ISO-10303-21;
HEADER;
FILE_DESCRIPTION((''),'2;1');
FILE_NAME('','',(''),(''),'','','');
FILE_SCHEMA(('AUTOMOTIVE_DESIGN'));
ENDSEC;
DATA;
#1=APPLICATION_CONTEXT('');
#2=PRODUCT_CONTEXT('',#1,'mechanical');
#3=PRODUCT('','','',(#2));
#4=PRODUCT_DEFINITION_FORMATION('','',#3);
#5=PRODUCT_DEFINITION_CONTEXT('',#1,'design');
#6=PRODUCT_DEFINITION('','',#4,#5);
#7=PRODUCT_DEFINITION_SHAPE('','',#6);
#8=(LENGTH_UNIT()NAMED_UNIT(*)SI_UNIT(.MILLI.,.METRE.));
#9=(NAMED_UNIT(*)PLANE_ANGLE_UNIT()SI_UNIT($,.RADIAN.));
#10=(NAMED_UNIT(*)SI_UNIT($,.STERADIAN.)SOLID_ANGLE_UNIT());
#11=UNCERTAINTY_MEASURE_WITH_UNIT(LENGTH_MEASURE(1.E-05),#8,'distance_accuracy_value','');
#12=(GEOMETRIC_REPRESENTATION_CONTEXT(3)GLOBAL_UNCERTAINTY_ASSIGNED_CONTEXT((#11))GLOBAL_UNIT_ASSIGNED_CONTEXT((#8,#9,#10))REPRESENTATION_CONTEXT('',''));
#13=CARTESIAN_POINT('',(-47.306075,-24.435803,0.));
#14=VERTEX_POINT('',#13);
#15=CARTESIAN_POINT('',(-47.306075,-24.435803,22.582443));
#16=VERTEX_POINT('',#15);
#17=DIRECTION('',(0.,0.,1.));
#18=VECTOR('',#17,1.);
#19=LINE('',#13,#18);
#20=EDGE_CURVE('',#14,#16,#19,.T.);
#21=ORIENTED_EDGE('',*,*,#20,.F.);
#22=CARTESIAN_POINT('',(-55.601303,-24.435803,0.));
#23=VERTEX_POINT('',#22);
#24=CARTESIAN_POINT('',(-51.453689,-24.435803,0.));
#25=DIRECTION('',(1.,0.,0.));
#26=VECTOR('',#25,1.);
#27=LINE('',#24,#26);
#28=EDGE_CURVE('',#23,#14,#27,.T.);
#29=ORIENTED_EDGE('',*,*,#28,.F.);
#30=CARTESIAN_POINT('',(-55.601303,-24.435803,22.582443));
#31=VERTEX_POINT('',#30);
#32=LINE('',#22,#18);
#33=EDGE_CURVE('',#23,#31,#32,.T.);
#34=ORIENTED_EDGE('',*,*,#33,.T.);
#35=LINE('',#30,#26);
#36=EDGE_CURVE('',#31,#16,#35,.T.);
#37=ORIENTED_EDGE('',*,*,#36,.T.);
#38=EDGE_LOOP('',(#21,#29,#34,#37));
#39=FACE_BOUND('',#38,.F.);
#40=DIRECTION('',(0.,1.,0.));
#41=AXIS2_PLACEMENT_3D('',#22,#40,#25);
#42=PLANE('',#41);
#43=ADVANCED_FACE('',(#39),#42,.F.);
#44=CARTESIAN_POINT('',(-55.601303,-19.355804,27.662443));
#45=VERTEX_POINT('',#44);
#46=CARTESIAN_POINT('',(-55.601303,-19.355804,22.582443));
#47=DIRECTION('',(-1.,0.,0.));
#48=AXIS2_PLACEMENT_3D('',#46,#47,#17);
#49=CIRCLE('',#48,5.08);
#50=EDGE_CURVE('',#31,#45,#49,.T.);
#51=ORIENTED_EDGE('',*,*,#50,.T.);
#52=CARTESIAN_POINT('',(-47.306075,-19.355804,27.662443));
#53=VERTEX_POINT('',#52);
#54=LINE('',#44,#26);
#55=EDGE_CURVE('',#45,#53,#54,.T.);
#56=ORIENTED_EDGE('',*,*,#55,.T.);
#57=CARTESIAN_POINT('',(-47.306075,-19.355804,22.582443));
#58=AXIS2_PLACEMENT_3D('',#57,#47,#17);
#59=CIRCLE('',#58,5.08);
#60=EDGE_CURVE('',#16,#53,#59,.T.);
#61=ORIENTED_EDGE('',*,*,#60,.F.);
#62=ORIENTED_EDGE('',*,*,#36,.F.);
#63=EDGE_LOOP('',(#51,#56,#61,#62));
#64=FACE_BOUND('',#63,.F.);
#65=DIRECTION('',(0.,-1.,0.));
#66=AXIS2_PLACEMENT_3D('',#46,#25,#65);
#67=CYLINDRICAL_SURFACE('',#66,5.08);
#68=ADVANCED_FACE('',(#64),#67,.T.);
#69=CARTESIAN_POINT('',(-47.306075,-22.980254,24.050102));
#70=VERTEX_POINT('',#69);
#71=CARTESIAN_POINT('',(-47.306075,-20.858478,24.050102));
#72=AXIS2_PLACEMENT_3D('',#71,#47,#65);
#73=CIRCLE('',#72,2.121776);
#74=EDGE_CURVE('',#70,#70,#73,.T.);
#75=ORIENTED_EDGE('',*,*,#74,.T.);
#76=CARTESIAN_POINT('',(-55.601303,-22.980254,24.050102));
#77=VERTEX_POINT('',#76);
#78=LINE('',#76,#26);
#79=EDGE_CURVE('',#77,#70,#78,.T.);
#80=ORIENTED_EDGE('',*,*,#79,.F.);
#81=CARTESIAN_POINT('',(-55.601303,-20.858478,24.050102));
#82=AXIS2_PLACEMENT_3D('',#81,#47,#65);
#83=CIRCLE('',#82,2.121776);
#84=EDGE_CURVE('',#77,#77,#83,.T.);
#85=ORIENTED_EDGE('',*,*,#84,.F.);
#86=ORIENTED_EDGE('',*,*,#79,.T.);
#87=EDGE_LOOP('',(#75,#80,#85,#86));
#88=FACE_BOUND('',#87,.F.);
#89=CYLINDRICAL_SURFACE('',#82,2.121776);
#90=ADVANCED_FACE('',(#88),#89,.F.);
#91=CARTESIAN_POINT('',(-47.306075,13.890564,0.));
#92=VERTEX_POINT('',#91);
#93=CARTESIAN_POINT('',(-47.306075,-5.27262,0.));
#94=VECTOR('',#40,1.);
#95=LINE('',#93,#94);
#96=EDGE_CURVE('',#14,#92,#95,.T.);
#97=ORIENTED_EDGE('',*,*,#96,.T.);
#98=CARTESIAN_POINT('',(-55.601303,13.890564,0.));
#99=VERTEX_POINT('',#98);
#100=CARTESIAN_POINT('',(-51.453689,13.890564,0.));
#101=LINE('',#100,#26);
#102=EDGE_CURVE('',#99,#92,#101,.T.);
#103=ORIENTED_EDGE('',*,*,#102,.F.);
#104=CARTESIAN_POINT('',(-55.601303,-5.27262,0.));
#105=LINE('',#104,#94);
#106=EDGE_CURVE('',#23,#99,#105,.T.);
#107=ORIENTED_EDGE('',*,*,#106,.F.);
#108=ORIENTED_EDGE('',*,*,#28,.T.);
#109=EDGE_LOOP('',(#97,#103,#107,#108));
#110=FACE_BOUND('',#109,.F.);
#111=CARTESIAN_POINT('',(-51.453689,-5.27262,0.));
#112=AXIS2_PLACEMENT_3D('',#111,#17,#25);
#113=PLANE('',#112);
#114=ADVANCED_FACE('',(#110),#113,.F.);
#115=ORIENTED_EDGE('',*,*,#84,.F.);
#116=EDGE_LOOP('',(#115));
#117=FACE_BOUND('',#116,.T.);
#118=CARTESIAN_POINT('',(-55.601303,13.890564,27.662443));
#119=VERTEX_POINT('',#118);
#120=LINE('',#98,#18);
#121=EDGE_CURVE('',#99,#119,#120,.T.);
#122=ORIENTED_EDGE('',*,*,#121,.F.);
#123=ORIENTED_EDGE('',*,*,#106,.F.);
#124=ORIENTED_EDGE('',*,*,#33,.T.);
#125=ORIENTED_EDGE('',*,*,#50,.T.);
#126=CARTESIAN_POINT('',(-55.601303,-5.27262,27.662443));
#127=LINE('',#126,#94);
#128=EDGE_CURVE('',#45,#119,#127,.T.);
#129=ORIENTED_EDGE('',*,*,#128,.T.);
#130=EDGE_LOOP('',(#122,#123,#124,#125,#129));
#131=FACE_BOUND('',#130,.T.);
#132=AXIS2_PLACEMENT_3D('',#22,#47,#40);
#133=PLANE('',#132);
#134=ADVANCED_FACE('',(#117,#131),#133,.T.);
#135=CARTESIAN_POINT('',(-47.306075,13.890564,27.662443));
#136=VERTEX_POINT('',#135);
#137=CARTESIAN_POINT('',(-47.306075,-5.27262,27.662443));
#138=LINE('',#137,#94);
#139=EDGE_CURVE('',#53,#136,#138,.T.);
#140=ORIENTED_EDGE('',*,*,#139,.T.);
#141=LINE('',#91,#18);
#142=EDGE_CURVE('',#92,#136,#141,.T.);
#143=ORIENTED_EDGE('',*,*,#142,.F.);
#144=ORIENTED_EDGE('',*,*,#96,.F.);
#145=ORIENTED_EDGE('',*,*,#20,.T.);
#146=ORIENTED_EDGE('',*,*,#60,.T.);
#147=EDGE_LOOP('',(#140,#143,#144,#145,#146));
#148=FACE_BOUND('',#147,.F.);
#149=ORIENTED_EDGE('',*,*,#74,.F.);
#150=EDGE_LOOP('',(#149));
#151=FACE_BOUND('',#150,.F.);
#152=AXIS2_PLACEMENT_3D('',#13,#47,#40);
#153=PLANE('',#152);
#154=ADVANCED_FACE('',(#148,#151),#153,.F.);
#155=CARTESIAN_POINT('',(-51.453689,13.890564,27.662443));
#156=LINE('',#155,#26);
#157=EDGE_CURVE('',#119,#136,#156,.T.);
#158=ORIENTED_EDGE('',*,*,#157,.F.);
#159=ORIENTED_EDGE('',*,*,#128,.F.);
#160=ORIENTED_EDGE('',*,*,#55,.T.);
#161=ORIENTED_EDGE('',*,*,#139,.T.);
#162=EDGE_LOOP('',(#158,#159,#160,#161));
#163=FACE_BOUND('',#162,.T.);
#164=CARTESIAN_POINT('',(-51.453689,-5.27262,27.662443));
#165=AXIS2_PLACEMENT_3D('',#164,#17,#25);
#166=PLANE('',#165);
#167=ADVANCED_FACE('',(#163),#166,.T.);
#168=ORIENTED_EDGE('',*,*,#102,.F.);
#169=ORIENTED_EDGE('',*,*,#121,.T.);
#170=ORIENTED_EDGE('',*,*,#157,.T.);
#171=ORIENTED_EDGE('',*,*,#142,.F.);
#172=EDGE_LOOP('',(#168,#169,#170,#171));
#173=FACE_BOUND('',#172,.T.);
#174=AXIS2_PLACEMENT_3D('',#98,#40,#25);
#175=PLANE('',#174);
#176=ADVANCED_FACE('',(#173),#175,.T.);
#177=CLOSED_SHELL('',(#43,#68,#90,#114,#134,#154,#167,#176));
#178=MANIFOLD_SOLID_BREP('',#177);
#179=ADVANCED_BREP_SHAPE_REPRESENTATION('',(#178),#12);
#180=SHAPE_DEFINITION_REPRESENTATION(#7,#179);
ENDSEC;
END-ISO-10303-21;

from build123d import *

# Parameters (mm, degrees)
F0_W     = 8.295227
F0_H     = 38.326367
F1_DEPTH = 27.662443
F2_R     = 5.08
F3_R     = 2.121776
F4_DEPTH = 25.4


with BuildPart() as f1:
    # F0 (on Top) → F1 (new body)
    with BuildSketch(Plane.XY):
        with Locations((-51.453689, -5.27262)):
            Rectangle(F0_W, F0_H)
    extrude(amount=F1_DEPTH)

    # F2
    f2_edges = [f1.edges().sort_by_distance(p)[0] for p in [
        (-51.453689, -24.435803, 27.662443),
    ]]
    fillet(f2_edges, radius=F2_R)

    # F3 (on face) → F4 (cut)
    with BuildSketch(Plane(origin=(-55.601303, 0, 0), x_dir=(0, -1, 0), z_dir=(-1, 0, 0))):
        with Locations((20.858478, 24.050102)):
            Circle(F3_R)
    extrude(amount=-F4_DEPTH, mode=Mode.SUBTRACT)


solid = f1.part
